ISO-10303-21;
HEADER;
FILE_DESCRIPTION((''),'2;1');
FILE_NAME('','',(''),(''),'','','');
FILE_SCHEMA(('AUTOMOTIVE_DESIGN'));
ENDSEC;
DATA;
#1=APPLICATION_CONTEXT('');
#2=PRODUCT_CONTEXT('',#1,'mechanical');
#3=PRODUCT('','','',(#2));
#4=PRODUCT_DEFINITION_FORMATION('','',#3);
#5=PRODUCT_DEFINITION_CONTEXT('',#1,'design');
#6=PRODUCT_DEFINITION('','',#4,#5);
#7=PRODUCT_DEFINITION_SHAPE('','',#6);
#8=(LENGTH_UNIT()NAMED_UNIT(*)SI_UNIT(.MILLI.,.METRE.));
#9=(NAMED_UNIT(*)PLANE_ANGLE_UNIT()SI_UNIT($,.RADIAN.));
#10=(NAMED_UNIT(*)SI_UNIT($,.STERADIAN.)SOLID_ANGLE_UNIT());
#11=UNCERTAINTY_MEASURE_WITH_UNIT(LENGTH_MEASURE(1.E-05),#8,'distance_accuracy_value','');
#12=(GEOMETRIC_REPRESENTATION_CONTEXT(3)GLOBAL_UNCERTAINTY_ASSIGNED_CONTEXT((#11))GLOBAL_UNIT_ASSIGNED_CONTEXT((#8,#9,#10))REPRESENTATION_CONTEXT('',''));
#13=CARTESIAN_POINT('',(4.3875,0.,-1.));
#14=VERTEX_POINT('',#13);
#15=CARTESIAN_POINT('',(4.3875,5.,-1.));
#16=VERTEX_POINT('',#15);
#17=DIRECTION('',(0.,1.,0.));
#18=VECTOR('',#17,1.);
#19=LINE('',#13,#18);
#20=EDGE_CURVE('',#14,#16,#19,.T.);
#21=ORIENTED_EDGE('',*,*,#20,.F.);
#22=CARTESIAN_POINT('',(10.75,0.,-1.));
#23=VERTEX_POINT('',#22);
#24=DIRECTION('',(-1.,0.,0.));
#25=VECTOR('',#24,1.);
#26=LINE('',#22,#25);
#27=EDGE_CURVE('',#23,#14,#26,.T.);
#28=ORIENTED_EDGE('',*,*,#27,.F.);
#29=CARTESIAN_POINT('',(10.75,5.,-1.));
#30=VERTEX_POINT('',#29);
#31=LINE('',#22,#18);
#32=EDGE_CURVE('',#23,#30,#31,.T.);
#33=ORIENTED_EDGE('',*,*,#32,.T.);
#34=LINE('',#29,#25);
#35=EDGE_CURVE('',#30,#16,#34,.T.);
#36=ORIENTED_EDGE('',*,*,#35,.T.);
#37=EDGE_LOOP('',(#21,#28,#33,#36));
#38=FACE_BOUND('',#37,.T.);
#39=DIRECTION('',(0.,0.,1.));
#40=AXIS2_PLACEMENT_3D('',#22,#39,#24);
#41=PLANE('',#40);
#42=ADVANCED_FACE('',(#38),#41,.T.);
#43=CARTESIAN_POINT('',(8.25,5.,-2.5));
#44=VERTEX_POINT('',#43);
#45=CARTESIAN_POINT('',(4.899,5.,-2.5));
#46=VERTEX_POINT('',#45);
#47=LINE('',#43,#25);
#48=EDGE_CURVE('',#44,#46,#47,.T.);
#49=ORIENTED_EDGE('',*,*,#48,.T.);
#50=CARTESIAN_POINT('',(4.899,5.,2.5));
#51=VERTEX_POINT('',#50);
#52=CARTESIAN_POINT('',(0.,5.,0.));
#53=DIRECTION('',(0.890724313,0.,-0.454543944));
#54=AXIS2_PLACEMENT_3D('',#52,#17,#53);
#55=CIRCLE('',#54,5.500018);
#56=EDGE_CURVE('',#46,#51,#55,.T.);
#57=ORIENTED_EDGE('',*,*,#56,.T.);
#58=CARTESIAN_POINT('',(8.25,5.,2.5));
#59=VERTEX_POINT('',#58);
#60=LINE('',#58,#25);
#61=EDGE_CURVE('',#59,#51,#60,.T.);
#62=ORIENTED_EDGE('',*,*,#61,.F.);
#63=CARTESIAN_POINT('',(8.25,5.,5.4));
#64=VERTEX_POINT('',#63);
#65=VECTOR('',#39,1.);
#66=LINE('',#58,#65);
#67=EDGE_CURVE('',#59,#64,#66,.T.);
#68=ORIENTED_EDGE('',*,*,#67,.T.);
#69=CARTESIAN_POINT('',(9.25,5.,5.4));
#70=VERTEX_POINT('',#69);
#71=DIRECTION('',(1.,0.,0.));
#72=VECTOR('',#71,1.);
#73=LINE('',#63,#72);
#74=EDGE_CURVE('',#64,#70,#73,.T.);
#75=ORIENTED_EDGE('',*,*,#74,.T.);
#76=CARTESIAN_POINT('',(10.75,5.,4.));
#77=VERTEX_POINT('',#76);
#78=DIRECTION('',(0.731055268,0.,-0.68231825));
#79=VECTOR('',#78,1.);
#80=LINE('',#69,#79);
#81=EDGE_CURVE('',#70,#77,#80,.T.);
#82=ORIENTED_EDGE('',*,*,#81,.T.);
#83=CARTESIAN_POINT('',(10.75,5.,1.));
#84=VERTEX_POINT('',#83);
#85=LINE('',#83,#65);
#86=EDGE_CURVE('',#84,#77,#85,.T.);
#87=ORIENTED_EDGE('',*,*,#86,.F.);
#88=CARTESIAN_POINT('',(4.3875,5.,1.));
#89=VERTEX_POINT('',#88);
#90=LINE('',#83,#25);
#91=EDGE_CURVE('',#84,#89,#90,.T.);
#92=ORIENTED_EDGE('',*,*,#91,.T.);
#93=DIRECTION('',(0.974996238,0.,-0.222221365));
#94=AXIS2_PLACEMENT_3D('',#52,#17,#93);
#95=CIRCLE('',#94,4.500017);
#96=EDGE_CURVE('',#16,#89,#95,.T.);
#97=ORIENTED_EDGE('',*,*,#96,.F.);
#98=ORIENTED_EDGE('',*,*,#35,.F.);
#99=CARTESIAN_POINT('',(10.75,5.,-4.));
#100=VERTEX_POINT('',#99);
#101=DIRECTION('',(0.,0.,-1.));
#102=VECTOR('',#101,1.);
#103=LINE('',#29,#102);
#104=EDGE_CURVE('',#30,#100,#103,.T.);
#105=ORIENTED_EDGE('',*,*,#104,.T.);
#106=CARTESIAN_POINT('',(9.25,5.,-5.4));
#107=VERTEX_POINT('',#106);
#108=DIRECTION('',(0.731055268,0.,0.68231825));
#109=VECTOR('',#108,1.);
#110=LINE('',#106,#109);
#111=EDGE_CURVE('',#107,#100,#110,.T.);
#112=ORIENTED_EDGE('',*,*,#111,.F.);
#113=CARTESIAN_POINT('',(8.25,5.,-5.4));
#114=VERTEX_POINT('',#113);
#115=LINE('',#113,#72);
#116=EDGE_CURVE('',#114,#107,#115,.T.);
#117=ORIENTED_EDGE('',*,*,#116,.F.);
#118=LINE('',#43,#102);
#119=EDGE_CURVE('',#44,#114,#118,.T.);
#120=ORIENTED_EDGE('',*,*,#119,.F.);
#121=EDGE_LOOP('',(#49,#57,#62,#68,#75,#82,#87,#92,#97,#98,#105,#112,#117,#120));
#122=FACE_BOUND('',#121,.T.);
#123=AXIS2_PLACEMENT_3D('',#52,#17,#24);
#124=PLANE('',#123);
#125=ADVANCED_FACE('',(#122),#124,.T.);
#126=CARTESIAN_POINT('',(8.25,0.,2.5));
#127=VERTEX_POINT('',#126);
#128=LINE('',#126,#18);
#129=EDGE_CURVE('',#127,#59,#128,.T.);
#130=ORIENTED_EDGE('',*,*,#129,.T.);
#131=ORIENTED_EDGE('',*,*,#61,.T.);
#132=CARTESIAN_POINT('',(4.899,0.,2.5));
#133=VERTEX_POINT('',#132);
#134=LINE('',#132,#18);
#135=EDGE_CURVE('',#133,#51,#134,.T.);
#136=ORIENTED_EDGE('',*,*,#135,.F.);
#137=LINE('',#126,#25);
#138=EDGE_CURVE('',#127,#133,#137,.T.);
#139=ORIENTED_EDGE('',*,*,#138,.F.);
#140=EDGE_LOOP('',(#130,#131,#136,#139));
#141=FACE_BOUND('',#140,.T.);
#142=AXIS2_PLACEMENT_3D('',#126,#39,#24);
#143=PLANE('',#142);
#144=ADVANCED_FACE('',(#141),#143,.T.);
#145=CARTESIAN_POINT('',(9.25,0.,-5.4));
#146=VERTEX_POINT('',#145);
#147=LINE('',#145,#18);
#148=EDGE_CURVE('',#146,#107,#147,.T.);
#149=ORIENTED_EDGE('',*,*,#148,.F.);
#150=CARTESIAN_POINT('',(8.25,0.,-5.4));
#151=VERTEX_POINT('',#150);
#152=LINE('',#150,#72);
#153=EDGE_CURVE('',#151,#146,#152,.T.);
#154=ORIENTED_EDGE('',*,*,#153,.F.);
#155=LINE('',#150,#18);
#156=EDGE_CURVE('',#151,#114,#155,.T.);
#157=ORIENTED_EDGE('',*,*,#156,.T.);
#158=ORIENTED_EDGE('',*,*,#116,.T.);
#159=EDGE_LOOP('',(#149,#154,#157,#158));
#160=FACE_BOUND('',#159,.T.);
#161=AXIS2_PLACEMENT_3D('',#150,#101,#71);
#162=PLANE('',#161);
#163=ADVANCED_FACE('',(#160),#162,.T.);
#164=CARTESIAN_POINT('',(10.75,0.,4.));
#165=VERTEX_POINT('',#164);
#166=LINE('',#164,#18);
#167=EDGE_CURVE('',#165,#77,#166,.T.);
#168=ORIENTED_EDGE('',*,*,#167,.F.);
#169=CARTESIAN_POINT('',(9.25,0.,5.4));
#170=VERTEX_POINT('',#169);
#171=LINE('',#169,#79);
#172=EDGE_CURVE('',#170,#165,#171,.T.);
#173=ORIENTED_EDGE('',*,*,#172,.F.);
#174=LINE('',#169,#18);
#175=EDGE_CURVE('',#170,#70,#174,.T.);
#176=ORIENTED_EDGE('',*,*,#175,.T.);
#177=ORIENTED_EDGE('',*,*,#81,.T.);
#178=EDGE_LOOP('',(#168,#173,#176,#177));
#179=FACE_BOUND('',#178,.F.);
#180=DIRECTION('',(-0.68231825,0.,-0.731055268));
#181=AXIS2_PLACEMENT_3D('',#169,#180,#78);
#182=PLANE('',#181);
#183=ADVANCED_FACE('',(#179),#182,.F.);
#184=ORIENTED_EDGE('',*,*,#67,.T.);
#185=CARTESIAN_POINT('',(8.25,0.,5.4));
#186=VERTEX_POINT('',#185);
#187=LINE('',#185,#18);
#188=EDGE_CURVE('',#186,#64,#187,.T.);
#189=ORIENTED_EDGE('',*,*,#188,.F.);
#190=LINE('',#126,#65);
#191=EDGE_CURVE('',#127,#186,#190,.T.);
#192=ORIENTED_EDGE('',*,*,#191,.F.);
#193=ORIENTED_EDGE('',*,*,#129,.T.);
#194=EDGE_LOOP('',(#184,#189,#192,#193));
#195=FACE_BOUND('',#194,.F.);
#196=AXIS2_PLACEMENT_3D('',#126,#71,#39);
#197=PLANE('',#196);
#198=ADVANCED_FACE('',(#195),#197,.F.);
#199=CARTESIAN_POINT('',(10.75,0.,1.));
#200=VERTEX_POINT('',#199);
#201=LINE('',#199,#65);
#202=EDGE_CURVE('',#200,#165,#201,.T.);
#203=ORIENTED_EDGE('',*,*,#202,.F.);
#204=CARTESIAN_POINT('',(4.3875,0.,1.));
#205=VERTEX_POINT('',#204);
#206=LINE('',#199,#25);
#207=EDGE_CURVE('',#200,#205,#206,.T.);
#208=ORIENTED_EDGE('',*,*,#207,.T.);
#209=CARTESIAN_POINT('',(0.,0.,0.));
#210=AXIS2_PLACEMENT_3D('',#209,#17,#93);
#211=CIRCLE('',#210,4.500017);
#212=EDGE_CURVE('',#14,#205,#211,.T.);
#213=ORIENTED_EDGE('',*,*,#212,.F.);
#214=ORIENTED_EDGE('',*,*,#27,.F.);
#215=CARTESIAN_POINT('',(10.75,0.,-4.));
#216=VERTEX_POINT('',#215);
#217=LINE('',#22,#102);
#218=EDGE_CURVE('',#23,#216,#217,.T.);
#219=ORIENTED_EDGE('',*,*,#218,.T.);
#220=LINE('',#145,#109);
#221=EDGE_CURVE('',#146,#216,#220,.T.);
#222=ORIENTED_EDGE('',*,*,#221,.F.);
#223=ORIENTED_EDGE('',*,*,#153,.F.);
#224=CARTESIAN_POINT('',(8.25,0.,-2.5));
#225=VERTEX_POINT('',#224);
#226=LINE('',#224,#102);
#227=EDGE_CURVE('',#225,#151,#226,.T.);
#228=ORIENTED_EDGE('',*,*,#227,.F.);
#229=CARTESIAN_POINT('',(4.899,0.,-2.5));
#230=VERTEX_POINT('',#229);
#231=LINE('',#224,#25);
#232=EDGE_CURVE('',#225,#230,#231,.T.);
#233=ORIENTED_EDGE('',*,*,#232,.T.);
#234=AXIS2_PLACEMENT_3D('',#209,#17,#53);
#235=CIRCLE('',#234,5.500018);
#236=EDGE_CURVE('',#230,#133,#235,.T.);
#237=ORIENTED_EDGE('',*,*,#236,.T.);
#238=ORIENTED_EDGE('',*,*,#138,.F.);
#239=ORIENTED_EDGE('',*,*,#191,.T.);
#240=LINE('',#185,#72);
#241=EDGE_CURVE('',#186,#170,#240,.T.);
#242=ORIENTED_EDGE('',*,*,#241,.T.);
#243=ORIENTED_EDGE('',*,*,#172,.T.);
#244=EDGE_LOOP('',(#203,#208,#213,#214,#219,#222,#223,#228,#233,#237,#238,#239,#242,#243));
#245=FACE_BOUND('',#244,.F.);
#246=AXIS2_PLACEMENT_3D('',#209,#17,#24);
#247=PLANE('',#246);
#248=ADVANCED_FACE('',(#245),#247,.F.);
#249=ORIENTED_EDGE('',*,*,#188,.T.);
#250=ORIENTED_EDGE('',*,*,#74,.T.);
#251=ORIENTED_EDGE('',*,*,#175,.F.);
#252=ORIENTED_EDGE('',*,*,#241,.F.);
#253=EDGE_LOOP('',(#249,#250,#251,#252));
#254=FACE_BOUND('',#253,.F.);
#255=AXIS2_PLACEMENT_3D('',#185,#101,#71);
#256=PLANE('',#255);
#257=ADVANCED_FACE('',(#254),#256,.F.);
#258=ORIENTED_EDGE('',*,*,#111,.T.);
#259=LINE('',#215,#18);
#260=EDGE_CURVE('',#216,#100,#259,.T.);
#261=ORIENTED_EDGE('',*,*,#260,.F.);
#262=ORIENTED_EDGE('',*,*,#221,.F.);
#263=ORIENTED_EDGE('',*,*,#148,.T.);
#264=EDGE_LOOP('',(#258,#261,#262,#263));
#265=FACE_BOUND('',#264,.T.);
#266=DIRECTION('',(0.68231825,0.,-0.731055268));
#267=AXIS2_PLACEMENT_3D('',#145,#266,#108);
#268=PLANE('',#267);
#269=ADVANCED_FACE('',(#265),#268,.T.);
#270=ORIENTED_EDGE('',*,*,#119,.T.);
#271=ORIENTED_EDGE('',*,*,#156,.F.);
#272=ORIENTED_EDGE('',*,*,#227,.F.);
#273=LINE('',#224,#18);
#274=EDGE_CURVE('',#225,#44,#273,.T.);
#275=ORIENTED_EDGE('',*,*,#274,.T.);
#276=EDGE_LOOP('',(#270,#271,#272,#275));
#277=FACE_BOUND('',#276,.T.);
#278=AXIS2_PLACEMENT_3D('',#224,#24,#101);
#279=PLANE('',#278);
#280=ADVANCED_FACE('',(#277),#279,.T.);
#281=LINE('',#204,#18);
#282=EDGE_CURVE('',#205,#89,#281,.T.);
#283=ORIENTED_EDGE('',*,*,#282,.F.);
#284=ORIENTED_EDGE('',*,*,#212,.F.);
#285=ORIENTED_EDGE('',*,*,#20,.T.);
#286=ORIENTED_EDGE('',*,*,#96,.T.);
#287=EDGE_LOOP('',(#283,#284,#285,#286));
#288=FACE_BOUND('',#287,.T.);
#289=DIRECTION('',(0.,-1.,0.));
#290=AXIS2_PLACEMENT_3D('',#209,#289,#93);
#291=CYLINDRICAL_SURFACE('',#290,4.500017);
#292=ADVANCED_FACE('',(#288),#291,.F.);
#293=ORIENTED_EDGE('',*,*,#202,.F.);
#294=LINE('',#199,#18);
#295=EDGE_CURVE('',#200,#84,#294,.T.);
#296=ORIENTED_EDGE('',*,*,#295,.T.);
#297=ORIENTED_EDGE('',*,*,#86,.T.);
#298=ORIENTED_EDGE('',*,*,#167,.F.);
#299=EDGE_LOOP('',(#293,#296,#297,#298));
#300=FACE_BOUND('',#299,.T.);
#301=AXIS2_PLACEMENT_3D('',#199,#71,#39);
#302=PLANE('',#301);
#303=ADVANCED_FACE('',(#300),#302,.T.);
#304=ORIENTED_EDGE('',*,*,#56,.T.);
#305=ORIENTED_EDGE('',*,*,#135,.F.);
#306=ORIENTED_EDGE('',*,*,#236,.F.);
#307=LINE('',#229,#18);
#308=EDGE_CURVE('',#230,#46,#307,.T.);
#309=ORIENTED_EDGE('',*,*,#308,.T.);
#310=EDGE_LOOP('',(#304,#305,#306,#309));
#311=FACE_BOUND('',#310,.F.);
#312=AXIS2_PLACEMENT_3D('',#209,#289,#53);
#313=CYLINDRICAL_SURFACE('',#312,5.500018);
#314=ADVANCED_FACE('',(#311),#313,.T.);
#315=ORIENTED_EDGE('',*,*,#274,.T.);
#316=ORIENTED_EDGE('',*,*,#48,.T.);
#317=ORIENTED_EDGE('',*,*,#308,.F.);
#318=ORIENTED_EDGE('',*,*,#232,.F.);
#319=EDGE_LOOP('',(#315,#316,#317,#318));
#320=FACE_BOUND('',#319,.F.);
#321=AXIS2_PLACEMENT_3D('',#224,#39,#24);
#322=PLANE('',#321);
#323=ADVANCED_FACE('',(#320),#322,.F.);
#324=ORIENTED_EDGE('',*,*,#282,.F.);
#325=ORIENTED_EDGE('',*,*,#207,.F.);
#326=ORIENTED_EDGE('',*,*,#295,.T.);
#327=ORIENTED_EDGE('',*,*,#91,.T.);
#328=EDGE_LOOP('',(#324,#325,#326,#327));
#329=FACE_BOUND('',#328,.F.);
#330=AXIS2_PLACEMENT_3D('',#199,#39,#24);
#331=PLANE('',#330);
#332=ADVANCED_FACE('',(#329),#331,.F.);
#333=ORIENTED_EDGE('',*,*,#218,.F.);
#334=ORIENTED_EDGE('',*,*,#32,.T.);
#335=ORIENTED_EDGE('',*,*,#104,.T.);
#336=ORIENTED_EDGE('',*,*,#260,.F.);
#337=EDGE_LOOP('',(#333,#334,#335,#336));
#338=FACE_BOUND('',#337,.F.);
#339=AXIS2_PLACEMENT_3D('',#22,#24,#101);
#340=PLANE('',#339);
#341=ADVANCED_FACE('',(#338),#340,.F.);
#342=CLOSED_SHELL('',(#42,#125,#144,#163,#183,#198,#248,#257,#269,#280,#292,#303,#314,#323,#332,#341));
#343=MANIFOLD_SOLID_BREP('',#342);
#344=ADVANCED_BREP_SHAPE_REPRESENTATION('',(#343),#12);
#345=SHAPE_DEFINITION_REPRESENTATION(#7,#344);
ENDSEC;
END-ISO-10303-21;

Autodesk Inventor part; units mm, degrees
ref_plane "YZ Plane" through (0, 0, 0) normal (1, 0, 0) x (0, 1, 0)
ref_plane "XZ Plane" through (0, 0, 0) normal (0, 1, 0) x (-1, 0, 0)
ref_plane "XY Plane" through (0, 0, 0) normal (0, 0, 1) x (1, 0, 0)
sketch "Sketch1" plane through (0, 0, 0) normal (0, 1, 0) x (-1, 0, 0)
  arc A0 (-4.3875, -1) -> (-4.3875, 1) centre (0, 0) ccw
  line L0 (-10.75, -1) -> (-4.3875, -1)
  line L1 (-8.25, -2.5) -> (-4.899, -2.5)
  line L2 (0, 0) -> (18.2262, 0) construction
  line L3 (-8.25, -2.5) -> (-8.25, -5.4)
  line L4 (-10.75, -1) -> (-10.75, -4)
  line L5 (-8.25, -5.4) -> (-9.25, -5.4)
  line L6 (-9.25, -5.4) -> (-10.75, -4)
  line L7 (-10.75, 1) -> (-4.3875, 1)
  line L8 (-8.25, 2.5) -> (-4.899, 2.5)
  line L9 (-8.25, 2.5) -> (-8.25, 5.4)
  line L10 (-10.75, 1) -> (-10.75, 4)
  line L11 (-8.25, 5.4) -> (-9.25, 5.4)
  line L12 (-9.25, 5.4) -> (-10.75, 4)
  arc A1 (-4.899, -2.5) -> (-4.899, 2.5) centre (0, 0) ccw
  point P0 (-5.692, 1)
  dimension "d0" = 9
  dimension "d3" = 1.5
  dimension "d4" = 1
  dimension "d7" = 3
  dimension "d10" = 4.4
  dimension "d16" = 1
  dimension "d17" = 3.351
  dimension "d18" = 5.5
  dimension "d20" = 2.5
extrude "Extrusion1" add sketch "Sketch1" along normal blind 5
properties part number "V Slot Clip Wire Holder"
